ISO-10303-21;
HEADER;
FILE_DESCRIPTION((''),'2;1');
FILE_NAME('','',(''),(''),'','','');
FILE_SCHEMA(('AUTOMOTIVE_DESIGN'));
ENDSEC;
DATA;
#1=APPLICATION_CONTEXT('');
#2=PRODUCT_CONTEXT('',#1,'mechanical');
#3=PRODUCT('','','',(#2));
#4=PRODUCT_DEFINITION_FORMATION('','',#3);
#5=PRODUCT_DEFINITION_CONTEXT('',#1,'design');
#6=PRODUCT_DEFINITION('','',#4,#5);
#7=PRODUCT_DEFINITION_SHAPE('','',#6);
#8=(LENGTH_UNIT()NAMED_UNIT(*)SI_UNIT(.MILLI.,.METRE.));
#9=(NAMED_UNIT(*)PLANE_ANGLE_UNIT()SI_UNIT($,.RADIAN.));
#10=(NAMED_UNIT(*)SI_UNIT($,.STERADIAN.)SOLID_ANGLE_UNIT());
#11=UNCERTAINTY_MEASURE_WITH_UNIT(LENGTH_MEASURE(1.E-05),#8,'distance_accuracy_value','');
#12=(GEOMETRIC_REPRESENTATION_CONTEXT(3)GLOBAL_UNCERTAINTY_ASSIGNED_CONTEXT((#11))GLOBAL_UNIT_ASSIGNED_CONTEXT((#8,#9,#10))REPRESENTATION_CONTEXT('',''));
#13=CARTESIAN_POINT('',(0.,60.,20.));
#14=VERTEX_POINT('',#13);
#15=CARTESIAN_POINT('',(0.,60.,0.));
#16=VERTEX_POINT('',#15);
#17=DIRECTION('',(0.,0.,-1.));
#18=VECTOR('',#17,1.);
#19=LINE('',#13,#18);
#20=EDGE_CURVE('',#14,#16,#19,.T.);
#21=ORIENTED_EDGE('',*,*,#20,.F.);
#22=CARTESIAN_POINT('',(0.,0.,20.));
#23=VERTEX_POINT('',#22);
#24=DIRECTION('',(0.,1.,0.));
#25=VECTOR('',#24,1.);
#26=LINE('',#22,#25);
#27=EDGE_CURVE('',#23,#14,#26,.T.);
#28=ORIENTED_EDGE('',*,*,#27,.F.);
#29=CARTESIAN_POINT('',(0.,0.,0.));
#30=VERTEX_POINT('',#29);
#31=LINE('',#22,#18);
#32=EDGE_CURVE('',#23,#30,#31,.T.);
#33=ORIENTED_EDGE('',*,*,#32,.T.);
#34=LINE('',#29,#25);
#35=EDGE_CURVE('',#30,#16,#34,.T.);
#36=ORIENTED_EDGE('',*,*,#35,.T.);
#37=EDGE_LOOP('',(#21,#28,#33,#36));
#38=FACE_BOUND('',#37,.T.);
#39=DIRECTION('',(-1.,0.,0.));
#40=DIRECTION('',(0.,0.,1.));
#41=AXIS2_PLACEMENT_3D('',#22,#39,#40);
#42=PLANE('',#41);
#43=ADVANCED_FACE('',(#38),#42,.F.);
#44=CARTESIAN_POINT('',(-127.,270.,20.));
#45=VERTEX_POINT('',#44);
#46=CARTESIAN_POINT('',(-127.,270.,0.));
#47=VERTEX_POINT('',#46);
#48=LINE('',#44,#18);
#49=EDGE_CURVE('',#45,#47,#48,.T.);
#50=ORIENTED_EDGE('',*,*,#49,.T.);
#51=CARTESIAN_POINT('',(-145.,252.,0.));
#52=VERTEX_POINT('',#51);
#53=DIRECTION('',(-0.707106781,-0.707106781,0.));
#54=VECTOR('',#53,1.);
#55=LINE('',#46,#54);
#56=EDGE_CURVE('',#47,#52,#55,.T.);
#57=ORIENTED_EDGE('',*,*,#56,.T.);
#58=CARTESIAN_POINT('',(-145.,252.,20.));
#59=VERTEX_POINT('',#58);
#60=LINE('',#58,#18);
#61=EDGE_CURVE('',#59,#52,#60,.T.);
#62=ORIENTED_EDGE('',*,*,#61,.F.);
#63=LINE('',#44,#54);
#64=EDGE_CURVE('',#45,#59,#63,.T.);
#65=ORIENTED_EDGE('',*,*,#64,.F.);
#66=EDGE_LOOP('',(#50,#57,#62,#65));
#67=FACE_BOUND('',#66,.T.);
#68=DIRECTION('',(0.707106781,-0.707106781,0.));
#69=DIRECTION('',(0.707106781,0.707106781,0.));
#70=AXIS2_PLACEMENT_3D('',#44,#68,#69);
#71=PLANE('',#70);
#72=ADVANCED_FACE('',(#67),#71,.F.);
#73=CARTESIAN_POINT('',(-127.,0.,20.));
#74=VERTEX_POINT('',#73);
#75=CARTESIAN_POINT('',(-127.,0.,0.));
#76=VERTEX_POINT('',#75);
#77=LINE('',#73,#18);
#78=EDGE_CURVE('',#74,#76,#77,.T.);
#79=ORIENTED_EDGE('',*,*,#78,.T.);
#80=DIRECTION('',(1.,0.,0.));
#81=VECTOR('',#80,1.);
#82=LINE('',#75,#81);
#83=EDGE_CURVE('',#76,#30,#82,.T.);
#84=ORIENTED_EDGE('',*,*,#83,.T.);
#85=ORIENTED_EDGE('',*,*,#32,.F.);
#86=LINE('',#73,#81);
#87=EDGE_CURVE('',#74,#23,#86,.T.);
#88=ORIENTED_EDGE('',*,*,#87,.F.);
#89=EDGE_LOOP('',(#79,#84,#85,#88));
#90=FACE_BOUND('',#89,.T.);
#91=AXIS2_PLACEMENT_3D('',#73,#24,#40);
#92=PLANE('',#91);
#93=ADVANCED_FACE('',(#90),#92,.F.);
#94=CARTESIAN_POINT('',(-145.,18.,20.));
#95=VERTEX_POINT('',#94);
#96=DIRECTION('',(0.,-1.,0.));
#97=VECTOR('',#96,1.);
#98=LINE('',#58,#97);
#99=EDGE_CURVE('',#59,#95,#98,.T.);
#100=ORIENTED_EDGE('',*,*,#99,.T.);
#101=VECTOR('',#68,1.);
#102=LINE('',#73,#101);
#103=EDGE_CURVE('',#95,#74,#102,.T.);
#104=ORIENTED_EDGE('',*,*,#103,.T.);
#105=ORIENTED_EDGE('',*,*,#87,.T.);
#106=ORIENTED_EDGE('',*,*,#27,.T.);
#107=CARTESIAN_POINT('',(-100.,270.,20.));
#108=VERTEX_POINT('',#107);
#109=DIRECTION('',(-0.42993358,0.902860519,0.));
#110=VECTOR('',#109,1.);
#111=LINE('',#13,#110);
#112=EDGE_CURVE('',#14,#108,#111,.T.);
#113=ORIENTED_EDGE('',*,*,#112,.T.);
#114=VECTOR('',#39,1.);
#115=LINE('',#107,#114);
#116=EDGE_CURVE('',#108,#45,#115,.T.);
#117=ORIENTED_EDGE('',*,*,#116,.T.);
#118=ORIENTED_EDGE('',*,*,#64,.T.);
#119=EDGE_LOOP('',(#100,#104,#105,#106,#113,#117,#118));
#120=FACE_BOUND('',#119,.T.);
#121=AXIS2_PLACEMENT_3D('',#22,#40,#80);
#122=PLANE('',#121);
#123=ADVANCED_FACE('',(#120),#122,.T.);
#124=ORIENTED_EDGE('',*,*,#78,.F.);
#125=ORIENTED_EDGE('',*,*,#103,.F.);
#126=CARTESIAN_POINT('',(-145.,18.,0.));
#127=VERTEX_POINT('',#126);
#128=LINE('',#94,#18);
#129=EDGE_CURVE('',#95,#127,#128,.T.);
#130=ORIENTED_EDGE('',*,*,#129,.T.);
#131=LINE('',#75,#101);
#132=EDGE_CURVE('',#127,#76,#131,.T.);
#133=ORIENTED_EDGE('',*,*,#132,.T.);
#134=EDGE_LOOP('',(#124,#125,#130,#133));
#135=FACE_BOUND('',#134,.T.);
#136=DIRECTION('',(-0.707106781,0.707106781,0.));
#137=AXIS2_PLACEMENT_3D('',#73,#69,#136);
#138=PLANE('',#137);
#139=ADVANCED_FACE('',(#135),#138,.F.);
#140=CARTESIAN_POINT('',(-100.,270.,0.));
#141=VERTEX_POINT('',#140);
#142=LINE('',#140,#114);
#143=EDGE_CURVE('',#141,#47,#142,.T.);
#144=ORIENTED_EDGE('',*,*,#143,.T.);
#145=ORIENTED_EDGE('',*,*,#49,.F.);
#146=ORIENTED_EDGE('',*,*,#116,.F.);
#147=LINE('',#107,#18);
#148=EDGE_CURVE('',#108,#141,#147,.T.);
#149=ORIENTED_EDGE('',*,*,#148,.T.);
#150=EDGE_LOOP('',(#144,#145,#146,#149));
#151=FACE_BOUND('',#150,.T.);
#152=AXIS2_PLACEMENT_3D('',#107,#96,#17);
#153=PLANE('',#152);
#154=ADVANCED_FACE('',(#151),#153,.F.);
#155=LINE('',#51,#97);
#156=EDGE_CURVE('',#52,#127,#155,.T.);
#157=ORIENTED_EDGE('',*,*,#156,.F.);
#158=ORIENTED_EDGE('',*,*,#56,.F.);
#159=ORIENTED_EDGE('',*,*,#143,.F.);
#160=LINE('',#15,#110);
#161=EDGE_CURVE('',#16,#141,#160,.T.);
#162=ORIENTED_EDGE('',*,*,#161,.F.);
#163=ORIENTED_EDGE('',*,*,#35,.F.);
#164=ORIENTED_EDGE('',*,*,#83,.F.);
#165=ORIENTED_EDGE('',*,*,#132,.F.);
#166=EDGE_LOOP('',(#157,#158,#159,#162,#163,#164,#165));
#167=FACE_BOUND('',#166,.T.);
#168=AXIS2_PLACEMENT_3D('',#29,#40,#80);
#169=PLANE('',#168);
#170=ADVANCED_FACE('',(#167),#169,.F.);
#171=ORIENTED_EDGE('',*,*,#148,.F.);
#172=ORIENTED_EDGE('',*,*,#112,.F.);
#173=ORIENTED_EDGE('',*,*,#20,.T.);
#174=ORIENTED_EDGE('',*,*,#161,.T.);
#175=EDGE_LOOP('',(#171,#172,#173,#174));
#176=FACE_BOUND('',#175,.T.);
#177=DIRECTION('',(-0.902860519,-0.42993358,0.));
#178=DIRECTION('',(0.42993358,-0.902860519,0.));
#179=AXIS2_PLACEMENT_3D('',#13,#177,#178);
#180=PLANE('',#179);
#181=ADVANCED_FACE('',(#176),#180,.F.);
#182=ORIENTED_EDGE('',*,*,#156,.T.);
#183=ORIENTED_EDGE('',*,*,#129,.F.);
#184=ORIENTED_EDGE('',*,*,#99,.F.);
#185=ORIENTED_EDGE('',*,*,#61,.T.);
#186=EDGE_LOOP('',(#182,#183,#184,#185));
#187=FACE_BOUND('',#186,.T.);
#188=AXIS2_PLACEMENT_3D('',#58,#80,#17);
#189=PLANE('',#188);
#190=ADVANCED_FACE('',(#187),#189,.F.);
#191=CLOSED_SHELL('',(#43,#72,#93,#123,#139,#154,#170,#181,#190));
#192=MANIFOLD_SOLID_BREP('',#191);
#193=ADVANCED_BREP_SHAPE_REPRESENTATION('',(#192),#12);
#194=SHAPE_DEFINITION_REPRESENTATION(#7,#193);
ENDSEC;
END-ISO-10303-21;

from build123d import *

# Parameters (mm, degrees)
EXTRUDE_1_DEPTH = 20


with BuildPart() as part:
    # Эскиз1 → Бобышка-Вытянуть1 (new body)
    with BuildSketch(Plane.XY):
        Polygon((0, 0), (0, 60), (-100, 270), (-127, 270), (-145, 252), (-145, 18), (-127, 0), align=None)
    extrude(amount=EXTRUDE_1_DEPTH)


solid = part.part
